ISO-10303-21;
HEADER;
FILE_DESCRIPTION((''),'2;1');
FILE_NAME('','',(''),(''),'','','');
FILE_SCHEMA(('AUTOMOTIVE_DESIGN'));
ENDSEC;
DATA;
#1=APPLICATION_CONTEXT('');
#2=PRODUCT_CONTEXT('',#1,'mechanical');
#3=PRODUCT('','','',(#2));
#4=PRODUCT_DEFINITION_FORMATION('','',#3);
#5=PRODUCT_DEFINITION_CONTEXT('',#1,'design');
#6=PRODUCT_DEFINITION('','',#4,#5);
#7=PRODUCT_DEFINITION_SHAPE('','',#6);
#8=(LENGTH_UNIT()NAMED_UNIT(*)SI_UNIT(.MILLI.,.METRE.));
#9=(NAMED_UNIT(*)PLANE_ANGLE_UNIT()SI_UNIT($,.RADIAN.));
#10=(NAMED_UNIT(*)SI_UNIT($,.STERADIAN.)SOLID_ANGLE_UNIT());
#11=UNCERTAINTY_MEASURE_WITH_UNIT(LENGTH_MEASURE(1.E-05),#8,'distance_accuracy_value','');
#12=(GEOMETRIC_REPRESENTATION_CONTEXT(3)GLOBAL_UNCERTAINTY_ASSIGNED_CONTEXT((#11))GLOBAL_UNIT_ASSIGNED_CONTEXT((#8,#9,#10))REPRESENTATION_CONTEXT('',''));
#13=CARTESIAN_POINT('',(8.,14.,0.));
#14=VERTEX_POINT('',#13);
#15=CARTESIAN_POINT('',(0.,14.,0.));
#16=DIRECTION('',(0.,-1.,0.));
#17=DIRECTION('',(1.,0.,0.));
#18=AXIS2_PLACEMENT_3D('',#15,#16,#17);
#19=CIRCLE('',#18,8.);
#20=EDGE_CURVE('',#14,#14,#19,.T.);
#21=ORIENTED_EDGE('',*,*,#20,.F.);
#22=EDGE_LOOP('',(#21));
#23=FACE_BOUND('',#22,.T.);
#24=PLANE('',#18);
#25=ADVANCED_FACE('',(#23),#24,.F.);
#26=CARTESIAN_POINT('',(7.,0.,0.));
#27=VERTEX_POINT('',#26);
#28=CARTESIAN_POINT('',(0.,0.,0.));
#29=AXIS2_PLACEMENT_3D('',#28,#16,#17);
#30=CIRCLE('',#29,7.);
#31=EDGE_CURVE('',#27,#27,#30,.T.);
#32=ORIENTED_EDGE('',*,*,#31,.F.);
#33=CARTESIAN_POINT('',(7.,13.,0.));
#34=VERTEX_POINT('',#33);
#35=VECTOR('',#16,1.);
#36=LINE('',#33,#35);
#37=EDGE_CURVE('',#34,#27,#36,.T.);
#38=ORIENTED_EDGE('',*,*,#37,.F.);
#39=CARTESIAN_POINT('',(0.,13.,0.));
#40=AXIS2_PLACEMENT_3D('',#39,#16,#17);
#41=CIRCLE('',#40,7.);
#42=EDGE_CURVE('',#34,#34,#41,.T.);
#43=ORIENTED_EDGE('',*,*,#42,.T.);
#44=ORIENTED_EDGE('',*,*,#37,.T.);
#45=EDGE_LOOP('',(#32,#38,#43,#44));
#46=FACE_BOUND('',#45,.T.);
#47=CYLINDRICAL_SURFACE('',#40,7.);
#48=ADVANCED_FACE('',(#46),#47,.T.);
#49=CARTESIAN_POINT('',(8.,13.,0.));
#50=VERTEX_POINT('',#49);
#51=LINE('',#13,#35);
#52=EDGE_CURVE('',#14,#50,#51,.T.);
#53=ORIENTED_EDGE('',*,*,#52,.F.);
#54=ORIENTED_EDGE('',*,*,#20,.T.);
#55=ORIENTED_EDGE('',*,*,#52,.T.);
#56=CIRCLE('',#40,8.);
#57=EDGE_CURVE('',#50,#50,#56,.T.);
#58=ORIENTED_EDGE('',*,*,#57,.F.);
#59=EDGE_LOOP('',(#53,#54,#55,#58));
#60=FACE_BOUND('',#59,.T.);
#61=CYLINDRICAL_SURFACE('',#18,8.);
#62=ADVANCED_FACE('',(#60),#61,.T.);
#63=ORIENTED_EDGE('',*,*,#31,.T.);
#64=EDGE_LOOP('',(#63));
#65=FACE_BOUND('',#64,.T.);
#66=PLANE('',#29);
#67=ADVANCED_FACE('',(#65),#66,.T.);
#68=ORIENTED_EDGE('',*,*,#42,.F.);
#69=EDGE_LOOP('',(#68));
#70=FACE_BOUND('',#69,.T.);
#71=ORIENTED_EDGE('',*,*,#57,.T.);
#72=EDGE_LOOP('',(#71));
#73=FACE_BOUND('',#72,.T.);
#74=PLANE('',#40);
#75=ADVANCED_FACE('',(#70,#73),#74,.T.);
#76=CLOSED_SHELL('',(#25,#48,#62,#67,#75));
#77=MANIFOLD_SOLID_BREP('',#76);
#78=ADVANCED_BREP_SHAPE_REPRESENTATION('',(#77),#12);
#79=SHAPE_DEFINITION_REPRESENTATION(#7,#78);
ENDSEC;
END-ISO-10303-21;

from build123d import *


with BuildPart() as part:
    # 草圖1 → 旋轉1 (revolve)
    with BuildSketch(Plane.XY):
        Polygon((0, 14), (8, 14), (8, 13), (7, 13), (7, 0), (0, 0), align=None)
    revolve(axis=Axis((0, 18.011449723, 0), (0, -1, 0)))


solid = part.part
